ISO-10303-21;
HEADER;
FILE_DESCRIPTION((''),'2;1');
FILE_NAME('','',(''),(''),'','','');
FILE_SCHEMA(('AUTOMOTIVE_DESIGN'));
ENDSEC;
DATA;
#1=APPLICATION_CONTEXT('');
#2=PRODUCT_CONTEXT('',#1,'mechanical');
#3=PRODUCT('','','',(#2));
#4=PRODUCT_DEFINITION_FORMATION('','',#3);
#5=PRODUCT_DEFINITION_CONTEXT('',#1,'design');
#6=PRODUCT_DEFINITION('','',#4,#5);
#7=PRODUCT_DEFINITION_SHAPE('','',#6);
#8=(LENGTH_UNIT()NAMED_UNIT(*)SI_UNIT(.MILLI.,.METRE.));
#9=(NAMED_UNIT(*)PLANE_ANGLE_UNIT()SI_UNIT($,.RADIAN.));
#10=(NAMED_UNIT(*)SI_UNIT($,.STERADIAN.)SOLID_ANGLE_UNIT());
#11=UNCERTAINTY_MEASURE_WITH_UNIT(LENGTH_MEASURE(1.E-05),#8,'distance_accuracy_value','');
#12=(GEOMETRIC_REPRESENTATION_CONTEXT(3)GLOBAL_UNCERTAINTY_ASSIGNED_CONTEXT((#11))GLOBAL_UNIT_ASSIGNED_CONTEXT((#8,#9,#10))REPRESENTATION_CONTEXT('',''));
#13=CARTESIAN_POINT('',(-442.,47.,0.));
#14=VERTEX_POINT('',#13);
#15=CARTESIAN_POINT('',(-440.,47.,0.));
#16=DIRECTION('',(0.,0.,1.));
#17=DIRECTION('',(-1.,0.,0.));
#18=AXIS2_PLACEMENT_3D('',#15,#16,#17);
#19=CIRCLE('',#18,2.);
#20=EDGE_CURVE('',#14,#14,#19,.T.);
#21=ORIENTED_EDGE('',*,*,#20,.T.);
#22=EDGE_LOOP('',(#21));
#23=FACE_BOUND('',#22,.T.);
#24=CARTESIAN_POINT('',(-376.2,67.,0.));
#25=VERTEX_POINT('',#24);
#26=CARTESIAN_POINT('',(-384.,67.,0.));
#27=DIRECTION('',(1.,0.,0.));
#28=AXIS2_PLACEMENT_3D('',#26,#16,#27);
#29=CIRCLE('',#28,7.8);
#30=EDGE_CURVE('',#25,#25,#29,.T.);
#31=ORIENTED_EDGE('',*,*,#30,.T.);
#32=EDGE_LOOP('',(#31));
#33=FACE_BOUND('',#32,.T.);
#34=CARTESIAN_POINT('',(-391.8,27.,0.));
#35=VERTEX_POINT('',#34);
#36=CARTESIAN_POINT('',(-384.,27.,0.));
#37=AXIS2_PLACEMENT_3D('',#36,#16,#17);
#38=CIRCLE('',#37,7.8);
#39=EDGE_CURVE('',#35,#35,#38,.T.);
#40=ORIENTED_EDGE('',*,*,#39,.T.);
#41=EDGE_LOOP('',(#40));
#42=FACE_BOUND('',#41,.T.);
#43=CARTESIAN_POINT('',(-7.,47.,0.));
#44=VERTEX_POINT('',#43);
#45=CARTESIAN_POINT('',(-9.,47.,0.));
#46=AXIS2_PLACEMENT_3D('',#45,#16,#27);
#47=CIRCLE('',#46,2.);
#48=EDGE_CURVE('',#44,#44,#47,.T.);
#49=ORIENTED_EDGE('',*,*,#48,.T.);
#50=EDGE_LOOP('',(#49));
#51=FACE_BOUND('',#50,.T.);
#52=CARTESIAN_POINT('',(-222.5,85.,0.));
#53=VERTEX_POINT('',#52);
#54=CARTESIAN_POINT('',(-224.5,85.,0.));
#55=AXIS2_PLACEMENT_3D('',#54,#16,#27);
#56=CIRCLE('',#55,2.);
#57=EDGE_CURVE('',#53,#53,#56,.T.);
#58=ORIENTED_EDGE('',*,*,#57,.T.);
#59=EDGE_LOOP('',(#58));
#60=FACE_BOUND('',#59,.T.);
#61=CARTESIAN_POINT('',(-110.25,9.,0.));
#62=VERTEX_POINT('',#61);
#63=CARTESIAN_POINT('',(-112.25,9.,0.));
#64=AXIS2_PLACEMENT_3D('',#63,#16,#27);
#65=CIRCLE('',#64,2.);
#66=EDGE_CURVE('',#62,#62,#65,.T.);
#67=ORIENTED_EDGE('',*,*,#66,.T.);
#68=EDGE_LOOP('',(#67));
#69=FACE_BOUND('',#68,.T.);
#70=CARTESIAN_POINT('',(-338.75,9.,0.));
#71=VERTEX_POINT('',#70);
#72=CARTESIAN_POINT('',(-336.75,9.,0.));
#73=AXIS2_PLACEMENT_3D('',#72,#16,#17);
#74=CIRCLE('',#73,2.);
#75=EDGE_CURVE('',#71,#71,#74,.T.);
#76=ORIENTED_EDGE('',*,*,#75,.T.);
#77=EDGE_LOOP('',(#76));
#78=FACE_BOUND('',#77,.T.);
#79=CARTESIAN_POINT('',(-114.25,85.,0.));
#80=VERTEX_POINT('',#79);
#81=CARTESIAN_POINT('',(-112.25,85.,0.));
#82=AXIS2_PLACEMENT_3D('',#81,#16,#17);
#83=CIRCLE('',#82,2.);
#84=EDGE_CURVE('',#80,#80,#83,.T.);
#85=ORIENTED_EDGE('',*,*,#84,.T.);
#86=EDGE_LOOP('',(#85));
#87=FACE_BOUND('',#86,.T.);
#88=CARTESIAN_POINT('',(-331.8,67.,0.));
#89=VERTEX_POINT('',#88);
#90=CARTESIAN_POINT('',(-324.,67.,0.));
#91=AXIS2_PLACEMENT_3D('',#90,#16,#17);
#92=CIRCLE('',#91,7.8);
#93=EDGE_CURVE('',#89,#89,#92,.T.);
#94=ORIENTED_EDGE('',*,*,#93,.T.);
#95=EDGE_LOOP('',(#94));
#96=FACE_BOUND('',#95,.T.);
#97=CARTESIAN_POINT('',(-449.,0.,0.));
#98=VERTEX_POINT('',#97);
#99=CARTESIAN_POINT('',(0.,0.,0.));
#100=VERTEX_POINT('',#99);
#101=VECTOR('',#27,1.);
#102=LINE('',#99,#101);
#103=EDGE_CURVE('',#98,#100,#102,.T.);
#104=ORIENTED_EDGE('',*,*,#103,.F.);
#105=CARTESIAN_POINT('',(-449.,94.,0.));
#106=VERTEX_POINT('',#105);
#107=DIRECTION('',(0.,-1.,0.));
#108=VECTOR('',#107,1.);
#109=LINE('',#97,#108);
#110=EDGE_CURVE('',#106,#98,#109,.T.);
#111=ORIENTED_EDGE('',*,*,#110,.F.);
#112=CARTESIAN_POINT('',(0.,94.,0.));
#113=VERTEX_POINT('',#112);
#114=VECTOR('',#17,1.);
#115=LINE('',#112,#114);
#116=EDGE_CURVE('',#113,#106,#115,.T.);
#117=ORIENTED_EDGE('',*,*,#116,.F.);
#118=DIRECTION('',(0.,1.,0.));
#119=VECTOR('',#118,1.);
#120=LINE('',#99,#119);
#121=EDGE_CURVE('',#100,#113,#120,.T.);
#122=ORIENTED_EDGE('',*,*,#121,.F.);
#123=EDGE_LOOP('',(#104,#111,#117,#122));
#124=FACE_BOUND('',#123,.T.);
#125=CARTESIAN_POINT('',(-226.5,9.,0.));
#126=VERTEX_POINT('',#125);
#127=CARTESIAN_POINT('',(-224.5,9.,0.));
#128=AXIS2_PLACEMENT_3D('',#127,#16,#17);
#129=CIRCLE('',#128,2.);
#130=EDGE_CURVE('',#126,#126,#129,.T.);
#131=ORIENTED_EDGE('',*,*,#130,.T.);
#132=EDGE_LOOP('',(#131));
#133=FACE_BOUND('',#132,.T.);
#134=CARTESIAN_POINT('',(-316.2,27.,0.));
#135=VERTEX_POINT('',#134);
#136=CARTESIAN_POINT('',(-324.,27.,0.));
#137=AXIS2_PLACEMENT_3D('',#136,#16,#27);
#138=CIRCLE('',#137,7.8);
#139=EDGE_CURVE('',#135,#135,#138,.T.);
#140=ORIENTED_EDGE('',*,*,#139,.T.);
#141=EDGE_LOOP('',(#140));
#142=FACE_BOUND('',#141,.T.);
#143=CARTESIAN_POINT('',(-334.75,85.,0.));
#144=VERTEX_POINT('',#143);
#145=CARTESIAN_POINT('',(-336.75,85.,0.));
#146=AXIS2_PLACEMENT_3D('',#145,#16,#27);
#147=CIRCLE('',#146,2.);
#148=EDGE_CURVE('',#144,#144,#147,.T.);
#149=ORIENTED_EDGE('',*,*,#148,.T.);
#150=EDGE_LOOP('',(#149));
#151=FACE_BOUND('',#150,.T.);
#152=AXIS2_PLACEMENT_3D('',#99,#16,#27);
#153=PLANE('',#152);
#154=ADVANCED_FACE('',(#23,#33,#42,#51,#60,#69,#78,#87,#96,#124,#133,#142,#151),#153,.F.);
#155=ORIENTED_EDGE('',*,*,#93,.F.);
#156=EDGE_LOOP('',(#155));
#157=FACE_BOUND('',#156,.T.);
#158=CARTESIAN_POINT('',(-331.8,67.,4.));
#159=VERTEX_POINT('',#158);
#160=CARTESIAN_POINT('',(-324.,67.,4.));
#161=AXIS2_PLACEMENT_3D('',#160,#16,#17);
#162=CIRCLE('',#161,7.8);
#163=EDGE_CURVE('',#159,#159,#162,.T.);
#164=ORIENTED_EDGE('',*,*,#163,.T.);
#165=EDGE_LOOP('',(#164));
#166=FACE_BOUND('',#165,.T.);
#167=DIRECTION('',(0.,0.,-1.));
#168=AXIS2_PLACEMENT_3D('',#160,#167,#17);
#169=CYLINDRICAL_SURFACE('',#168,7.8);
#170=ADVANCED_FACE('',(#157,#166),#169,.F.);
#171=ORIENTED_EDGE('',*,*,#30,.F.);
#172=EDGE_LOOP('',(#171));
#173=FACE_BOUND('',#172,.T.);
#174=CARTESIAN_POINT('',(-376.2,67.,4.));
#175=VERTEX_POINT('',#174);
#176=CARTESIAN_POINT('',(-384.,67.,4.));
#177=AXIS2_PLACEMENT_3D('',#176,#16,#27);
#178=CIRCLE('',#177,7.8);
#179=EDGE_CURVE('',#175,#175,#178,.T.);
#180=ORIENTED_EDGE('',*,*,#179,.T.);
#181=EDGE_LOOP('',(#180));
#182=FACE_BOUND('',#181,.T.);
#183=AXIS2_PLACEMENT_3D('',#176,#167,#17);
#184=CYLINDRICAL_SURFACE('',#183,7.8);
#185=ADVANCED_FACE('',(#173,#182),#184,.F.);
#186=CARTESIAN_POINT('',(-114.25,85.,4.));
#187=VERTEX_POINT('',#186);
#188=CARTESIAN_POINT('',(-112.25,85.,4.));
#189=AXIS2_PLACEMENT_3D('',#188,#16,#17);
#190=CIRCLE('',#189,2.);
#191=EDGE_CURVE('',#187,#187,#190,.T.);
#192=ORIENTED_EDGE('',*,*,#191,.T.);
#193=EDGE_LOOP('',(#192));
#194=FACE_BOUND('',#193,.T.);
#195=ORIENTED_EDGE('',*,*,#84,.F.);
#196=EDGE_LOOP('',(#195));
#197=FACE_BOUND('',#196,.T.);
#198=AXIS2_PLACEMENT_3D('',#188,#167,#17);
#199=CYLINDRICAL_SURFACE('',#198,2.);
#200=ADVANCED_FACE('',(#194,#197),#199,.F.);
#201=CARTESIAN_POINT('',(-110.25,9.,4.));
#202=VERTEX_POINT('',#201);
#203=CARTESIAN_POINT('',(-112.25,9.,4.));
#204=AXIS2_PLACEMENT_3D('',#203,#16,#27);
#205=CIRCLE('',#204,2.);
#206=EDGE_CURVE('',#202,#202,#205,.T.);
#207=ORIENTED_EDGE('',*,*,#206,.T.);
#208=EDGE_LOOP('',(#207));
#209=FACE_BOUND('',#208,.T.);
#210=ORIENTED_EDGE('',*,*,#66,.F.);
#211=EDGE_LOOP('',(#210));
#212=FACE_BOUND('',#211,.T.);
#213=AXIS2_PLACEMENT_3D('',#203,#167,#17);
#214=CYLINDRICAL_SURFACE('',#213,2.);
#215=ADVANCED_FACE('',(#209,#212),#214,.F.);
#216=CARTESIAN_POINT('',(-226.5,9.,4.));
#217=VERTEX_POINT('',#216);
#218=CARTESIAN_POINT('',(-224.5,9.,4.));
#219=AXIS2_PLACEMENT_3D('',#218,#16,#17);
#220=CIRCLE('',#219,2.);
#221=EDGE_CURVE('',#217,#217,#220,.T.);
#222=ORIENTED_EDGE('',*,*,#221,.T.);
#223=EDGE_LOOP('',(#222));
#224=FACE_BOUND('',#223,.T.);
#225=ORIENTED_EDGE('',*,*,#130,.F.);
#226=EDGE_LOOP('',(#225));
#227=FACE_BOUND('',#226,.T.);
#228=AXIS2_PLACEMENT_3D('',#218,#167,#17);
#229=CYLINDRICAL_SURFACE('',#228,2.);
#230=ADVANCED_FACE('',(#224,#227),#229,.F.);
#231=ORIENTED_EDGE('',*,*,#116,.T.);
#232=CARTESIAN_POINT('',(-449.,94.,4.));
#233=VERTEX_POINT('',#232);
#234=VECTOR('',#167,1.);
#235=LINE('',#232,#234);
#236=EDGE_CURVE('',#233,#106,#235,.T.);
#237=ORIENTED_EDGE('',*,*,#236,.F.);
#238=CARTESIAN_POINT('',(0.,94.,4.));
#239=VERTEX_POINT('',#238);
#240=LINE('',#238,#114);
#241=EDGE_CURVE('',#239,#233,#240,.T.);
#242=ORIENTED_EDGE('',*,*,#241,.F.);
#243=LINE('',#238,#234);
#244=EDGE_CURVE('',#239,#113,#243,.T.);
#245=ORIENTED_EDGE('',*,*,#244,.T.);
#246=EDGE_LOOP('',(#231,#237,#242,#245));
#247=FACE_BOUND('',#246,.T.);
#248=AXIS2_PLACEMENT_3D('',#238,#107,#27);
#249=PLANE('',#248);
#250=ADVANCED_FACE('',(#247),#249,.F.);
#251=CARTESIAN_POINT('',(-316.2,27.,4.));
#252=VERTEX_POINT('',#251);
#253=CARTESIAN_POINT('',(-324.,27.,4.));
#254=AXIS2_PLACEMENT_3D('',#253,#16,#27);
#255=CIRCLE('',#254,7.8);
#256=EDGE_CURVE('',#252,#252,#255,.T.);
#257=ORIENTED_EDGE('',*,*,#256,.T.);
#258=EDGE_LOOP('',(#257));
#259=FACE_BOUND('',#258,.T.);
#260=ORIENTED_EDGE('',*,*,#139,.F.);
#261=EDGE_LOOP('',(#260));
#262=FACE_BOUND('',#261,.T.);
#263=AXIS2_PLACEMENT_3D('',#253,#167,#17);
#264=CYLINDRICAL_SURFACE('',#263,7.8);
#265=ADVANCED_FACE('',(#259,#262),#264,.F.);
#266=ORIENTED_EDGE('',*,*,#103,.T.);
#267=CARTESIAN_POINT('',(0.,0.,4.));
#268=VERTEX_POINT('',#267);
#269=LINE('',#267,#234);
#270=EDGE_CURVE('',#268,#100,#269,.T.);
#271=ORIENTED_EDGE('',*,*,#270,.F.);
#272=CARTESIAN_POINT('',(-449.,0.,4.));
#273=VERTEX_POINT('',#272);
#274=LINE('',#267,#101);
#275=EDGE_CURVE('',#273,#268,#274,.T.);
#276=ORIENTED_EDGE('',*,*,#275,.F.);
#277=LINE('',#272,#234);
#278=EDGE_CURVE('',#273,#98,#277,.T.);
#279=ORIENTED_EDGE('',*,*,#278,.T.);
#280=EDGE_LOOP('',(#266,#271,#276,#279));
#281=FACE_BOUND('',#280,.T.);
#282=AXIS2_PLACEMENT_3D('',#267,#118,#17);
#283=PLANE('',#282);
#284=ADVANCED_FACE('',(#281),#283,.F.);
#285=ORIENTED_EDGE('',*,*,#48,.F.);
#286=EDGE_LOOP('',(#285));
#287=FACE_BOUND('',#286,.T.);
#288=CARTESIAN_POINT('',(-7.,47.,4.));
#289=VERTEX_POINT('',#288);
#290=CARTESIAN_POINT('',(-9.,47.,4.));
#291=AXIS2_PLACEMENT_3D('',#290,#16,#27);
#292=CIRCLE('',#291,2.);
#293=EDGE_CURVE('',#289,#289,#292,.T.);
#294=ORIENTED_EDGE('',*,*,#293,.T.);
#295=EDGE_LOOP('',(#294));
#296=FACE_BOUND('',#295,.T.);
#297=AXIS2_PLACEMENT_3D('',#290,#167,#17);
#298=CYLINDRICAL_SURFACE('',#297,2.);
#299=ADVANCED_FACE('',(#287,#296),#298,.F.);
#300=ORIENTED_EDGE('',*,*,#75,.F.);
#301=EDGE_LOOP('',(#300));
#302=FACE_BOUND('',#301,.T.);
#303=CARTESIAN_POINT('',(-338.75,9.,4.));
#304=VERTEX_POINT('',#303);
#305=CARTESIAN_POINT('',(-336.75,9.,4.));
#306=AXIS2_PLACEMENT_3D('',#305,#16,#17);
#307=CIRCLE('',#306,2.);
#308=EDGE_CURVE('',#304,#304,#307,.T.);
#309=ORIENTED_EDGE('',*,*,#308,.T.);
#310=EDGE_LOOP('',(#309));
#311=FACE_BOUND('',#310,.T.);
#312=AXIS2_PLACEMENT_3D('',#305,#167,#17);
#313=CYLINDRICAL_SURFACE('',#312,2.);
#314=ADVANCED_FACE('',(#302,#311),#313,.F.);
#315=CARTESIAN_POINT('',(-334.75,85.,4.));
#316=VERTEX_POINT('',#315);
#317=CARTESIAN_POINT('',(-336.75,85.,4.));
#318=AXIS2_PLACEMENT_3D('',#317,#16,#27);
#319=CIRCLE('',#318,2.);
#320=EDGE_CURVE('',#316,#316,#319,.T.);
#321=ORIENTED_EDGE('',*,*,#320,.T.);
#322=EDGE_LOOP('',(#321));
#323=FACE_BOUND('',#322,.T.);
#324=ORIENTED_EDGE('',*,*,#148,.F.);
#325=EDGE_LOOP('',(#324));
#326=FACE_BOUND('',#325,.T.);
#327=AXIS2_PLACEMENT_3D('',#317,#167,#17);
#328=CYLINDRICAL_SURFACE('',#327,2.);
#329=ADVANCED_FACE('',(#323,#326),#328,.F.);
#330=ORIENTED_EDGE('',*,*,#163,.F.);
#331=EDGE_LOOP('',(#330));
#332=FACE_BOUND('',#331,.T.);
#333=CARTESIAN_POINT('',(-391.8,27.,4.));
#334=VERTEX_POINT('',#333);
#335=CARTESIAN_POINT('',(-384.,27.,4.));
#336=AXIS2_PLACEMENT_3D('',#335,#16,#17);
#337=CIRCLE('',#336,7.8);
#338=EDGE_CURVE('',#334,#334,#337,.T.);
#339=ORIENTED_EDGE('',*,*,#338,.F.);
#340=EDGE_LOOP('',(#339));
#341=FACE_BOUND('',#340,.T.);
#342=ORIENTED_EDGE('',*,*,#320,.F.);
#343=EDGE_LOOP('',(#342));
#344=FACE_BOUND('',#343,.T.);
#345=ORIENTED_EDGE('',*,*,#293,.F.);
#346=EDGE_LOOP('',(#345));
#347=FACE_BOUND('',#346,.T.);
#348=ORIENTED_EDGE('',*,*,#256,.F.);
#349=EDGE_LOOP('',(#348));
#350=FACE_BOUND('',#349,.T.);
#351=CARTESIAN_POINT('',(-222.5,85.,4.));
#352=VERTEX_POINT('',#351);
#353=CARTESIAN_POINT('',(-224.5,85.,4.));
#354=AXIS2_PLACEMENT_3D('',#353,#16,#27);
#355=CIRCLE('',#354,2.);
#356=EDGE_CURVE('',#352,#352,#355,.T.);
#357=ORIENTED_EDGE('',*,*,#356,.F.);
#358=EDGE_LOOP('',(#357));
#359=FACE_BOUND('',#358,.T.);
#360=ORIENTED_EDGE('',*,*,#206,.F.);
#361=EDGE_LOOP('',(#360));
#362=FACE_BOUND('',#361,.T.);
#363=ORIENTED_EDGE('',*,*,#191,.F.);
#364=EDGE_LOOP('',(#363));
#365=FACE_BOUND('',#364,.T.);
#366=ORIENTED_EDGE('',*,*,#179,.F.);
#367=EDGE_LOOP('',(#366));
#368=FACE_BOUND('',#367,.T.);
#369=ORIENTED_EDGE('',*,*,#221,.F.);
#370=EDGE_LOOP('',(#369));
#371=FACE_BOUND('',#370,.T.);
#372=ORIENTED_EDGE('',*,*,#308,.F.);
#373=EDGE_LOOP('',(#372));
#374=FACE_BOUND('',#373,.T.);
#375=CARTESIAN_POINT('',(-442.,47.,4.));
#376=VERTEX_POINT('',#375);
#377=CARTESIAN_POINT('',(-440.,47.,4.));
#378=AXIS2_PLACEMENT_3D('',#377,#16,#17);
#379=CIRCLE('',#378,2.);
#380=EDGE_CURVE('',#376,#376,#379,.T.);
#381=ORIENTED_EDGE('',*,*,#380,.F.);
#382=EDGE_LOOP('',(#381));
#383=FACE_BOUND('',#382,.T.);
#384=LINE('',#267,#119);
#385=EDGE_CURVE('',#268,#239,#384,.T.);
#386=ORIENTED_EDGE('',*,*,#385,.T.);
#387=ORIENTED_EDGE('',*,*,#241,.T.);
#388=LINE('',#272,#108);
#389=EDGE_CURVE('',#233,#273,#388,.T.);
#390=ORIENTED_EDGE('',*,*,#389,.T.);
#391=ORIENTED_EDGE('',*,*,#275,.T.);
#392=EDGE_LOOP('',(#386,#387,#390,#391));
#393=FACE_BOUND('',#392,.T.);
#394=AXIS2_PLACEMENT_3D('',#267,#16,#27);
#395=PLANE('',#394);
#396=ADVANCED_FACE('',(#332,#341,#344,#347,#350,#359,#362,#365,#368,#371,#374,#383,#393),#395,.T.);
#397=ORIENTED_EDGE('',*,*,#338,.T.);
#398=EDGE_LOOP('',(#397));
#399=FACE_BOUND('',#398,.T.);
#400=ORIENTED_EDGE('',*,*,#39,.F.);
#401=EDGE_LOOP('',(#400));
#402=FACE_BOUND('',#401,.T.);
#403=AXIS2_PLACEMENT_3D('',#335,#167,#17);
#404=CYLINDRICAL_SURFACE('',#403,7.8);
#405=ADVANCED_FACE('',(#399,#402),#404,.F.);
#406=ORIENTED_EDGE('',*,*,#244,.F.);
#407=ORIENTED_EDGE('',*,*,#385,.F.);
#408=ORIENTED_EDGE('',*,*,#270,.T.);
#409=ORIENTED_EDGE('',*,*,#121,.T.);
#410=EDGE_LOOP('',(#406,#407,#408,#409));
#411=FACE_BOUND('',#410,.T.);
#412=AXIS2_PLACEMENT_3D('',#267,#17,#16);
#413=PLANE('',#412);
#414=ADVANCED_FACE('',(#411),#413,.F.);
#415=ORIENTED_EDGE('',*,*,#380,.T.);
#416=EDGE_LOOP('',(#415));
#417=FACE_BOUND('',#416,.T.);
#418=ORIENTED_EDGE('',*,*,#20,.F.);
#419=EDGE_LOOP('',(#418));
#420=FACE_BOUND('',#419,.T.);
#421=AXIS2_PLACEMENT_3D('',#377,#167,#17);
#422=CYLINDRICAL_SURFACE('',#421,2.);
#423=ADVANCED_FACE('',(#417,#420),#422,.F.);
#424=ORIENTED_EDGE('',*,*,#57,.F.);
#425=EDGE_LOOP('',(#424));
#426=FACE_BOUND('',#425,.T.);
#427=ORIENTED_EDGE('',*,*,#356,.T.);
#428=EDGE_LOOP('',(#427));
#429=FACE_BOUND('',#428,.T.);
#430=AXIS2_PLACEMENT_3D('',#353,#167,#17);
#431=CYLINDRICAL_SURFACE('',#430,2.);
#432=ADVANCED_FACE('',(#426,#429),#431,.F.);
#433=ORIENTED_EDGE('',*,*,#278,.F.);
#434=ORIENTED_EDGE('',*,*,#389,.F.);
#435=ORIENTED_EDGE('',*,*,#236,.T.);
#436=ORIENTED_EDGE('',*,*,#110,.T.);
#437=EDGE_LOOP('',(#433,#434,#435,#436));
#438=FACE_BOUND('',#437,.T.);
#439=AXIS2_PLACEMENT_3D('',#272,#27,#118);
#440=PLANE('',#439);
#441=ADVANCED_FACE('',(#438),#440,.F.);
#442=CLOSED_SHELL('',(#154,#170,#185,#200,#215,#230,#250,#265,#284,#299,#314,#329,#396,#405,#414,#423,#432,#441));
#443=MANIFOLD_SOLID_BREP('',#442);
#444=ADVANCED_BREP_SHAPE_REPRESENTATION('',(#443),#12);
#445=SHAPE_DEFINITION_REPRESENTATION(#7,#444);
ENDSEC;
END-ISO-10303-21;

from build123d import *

# Parameters (mm, degrees)
SCHIZZO1_W                   = 449
SCHIZZO1_H                   = 94
SCHIZZO1_R                   = 7.8
SCHIZZO1_R_2                 = 2
ESTRUSIONE_ESTRUSIONE1_DEPTH = 4


with BuildPart() as part:
    # Schizzo1 → Estrusione-Estrusione1 (new body)
    with BuildSketch(Plane.XY):
        with Locations((-224.5, 47)):
            Rectangle(SCHIZZO1_W, SCHIZZO1_H)
        with Locations(Location((-384, 27, 0), (0, 0, 180))):
            Circle(SCHIZZO1_R, mode=Mode.SUBTRACT)
        with Locations((-9, 47)):
            Circle(SCHIZZO1_R_2, mode=Mode.SUBTRACT)
        with Locations((-224.5, 85)):
            Circle(SCHIZZO1_R_2, mode=Mode.SUBTRACT)
        with Locations(Location((-440, 47, 0), (0, 0, 180))):
            Circle(SCHIZZO1_R_2, mode=Mode.SUBTRACT)
        with Locations(Location((-224.5, 9, 0), (0, 0, 180))):
            Circle(SCHIZZO1_R_2, mode=Mode.SUBTRACT)
        with Locations((-324, 27)):
            Circle(SCHIZZO1_R, mode=Mode.SUBTRACT)
        with Locations(Location((-324, 67, 0), (0, 0, 180))):
            Circle(SCHIZZO1_R, mode=Mode.SUBTRACT)
        with Locations((-336.75, 85)):
            Circle(SCHIZZO1_R_2, mode=Mode.SUBTRACT)
        with Locations((-384, 67)):
            Circle(SCHIZZO1_R, mode=Mode.SUBTRACT)
        with Locations(Location((-336.75, 9, 0), (0, 0, 180))):
            Circle(SCHIZZO1_R_2, mode=Mode.SUBTRACT)
        with Locations((-112.25, 9)):
            Circle(SCHIZZO1_R_2, mode=Mode.SUBTRACT)
        with Locations(Location((-112.25, 85, 0), (0, 0, 180))):
            Circle(SCHIZZO1_R_2, mode=Mode.SUBTRACT)
    extrude(amount=ESTRUSIONE_ESTRUSIONE1_DEPTH)


solid = part.part
